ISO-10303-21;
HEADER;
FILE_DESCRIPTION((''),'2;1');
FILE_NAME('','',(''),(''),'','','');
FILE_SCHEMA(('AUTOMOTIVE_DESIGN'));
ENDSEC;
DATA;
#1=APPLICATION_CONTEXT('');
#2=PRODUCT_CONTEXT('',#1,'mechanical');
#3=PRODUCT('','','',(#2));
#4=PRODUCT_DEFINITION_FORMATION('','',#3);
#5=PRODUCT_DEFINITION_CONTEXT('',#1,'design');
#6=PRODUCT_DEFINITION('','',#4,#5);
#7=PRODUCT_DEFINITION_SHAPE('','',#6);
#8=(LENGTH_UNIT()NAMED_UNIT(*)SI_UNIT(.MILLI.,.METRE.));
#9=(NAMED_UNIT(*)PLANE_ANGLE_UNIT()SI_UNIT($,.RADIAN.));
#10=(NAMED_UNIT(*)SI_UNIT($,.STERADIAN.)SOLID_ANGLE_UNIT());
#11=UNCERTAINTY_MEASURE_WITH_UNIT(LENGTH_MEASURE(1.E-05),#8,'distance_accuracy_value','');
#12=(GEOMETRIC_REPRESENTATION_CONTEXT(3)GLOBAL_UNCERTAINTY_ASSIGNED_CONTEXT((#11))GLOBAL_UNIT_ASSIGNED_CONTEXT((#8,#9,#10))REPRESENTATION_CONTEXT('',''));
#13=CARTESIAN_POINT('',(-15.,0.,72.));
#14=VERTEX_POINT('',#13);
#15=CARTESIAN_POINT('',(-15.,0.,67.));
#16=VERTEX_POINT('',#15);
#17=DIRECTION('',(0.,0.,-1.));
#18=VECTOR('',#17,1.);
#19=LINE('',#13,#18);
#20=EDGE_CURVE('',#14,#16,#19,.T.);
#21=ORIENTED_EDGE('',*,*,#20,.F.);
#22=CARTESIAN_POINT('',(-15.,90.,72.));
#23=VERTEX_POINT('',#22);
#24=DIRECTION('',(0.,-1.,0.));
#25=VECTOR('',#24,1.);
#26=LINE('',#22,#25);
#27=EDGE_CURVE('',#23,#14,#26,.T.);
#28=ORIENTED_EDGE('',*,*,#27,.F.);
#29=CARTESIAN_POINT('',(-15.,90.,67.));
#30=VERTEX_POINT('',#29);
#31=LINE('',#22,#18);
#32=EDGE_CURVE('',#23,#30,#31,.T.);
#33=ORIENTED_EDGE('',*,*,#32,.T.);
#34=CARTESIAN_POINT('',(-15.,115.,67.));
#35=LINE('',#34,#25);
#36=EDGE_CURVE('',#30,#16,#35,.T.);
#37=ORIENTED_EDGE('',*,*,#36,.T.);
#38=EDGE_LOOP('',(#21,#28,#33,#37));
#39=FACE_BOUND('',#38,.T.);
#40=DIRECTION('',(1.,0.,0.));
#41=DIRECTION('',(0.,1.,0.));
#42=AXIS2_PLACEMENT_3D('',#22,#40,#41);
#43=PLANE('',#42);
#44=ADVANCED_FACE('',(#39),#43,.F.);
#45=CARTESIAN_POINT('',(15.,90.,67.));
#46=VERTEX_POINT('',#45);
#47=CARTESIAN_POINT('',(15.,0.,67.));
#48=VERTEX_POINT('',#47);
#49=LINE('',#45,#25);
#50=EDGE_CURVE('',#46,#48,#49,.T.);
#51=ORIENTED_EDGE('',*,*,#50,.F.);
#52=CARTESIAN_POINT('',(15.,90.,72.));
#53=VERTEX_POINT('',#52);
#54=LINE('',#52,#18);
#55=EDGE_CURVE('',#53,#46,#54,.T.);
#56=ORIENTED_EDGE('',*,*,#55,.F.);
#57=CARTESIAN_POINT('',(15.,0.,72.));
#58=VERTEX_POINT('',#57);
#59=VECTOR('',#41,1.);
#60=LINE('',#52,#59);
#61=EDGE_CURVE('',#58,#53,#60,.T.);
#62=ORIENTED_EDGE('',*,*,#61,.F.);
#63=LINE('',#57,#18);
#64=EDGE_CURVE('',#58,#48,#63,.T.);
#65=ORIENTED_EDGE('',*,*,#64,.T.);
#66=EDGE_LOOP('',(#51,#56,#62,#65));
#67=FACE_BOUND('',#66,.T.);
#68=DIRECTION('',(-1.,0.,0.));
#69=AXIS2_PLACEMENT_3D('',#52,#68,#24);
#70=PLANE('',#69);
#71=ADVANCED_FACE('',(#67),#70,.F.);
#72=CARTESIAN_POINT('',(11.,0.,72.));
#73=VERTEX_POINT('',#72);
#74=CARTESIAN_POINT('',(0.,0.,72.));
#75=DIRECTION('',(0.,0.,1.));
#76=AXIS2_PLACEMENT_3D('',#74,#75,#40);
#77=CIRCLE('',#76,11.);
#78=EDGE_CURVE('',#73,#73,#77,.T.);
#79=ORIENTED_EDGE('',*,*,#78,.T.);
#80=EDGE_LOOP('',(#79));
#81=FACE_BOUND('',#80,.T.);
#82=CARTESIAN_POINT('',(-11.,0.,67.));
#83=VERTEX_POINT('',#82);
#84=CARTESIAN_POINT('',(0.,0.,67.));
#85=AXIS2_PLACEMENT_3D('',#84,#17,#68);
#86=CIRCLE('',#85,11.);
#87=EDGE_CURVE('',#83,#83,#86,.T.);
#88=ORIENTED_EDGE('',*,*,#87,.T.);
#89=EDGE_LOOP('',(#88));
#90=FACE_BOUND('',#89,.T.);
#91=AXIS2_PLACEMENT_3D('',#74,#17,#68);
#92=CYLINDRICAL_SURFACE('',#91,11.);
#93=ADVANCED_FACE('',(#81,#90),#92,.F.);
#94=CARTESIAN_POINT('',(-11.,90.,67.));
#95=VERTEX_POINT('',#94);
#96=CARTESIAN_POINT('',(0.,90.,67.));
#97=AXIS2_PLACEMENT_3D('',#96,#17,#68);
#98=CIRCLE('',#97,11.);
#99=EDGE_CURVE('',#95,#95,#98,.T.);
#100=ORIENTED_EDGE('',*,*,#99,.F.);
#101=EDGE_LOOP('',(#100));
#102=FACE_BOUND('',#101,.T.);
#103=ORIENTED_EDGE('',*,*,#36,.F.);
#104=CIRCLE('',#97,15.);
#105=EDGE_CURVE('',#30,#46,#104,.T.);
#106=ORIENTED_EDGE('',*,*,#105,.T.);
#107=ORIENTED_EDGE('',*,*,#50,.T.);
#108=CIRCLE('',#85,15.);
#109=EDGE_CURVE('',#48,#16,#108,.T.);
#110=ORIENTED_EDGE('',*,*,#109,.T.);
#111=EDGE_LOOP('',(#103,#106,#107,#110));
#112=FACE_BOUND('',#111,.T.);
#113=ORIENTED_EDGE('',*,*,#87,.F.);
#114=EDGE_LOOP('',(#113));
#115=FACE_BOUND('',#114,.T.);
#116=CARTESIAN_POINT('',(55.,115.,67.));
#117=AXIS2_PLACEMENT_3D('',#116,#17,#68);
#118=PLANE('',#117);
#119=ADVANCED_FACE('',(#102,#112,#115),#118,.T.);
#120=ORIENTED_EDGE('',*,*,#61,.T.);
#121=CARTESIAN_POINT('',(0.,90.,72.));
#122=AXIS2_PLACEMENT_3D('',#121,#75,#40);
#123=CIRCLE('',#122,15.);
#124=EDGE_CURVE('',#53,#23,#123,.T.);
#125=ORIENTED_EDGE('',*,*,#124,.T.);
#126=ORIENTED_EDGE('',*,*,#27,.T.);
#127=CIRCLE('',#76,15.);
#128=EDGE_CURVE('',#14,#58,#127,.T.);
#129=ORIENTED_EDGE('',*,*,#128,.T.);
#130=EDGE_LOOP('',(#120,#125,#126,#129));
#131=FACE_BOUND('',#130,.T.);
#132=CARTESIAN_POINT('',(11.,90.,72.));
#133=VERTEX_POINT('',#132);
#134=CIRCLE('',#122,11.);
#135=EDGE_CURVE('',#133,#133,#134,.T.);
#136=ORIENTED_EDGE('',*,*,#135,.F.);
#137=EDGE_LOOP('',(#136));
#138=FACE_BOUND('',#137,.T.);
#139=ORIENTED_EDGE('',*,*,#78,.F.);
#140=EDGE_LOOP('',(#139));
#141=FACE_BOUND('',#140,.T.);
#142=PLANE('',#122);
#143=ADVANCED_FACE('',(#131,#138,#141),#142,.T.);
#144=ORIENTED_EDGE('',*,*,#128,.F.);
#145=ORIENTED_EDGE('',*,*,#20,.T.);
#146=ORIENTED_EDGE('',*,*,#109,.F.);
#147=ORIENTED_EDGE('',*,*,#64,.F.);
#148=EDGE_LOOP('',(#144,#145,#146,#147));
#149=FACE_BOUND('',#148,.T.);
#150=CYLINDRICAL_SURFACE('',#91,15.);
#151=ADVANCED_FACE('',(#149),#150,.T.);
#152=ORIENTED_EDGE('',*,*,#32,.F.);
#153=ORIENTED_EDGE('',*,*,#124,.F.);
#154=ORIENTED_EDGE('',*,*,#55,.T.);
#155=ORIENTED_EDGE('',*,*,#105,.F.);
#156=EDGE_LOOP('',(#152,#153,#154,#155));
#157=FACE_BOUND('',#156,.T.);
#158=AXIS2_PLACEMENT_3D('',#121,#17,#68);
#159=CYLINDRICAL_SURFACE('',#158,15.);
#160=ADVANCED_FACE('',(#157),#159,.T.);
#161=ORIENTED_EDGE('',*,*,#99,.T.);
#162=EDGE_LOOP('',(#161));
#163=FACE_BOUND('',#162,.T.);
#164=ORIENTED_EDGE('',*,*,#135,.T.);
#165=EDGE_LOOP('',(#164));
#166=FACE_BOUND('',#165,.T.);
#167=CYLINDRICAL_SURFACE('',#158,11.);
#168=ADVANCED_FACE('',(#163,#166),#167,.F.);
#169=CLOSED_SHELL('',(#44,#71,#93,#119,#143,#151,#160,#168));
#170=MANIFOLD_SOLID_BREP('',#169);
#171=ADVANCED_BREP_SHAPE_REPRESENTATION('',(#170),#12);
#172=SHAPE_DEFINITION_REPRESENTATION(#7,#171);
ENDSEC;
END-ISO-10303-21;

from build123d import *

# Parameters (mm, degrees)
SKETCH_1_R               = 11
EXTRUDE_1_DEPTH          = 72
SKETCH_2_W               = 62
SKETCH_2_H               = 70
SKETCH_2_H_2             = 67.94057246
CUT_EXTRUDE_1_DEPTH      = 70
EXTRUDE_2_DEPTH          = 62
EXTRUDE_3_DEPTH          = 62
CUT_EXTRUDE_4_DEPTH      = 136.359998088
CUT_EXTRUDE_4_DEPTH_BACK = 136.359998088
SKETCH_7_W               = 62
SKETCH_7_H               = 120


with BuildPart() as part:
    # 草图1 → 凸台-拉伸1 (new body)
    with BuildSketch(Plane.XY):
        with BuildLine():
            Line((-15, 90), (-15, 0))
            ThreePointArc((-15, 0), (0, -15), (15, 0))
            Line((15, 0), (15, 90))
            ThreePointArc((15, 90), (0, 105), (-15, 90))
        make_face()
        Circle(SKETCH_1_R, mode=Mode.SUBTRACT)
        with Locations((0, 90)):
            Circle(SKETCH_1_R, mode=Mode.SUBTRACT)
    extrude(amount=EXTRUDE_1_DEPTH)

    # 草图2 → 切除-拉伸1 (cut)
    with BuildSketch(Plane.ZY.offset(15)):
        with Locations((36, 80)):
            Rectangle(SKETCH_2_W, SKETCH_2_H)
        with Locations((36, 11.02971377)):
            Rectangle(SKETCH_2_W, SKETCH_2_H_2)
    extrude(amount=-CUT_EXTRUDE_1_DEPTH, mode=Mode.SUBTRACT)


with BuildPart() as cut_extrude_1_piece_1:
    # of the separate pieces the step leaves, piece 1, a body of its own (cut_extrude_1_pieces)
    add(part.part.solids().sort_by_distance((15, 0, 0))[0])



with BuildPart() as cut_extrude_1_piece_2:
    # of the separate pieces the step leaves, piece 2, a body of its own (cut_extrude_1_pieces)
    add(part.part.solids().sort_by_distance((15, 0, 67))[0])


with BuildPart() as cut_extrude_1_piece_1_1:
    add(cut_extrude_1_piece_1.part)

    add(cut_extrude_1_piece_2.part)  # 凸台-拉伸2 merges 切除-拉伸1 piece 2
    # 草图4 → 凸台-拉伸2 (add)
    with BuildSketch(Plane(origin=(0, 0, 67), x_dir=(-1, 0, 0), z_dir=(0, 0, -1))):
        with BuildLine():
            Line((-4.490156776, 68.758657712), (15, 57.50601045))
            Line((15, 57.50601045), (36.319312502, 12.911360415))
            ThreePointArc((36.319312502, 12.911360415), (35.142094618, 9.577570071), (31.808304274, 10.754787955))
            Line((31.808304274, 10.754787955), (15, 45.913541163))
            Line((15, 45.913541163), (-9.509843224, 60.064305746))
            ThreePointArc((-9.509843224, 60.064305746), (-11.347175983, 66.921324953), (-4.490156776, 68.758657712))
        make_face()
    extrude(amount=EXTRUDE_2_DEPTH)

    # 草图5 → 凸台-拉伸3 (add)
    with BuildSketch(Plane(origin=(0, 0, 67), x_dir=(-1, 0, 0), z_dir=(0, 0, -1))):
        with BuildLine():
            Line((-30.017605928, 49.094069219), (-15, 60.919508718))
            Line((-15, 60.919508718), (12.5, 45.042376315))
            ThreePointArc((12.5, 45.042376315), (14.330127019, 38.212249296), (7.5, 36.382122277))
            Line((7.5, 36.382122277), (-15, 49.372503334))
            Line((-15, 49.372503334), (-27.615908762, 44.780688066))
            ThreePointArc((-27.615908762, 44.780688066), (-30.655195979, 45.913733224), (-30.017605928, 49.094069219))
        make_face()
    extrude(amount=EXTRUDE_3_DEPTH)

    # 草图7 → 切除-拉伸4 (cut, two sides: drawn at the far end of the back side and taken through both)
    with BuildSketch(Plane.ZY.offset(15).offset(-CUT_EXTRUDE_4_DEPTH_BACK)):
        with Locations((36, 45)):
            Rectangle(SKETCH_7_W, SKETCH_7_H)
    extrude(amount=CUT_EXTRUDE_4_DEPTH + CUT_EXTRUDE_4_DEPTH_BACK, mode=Mode.SUBTRACT)


with BuildPart() as cut_extrude_4_piece_1:
    # of the separate pieces the step leaves, piece 1, a body of its own (cut_extrude_4_pieces)
    add(cut_extrude_1_piece_1_1.part.solids().sort_by_distance((-15, 90, 5))[0])


with BuildPart() as cut_extrude_4_piece_2:
    # of the separate pieces the step leaves, piece 2, a body of its own (cut_extrude_4_pieces)
    add(cut_extrude_1_piece_1_1.part.solids().sort_by_distance((15, 0, 67))[0])


solid = cut_extrude_4_piece_2.part
